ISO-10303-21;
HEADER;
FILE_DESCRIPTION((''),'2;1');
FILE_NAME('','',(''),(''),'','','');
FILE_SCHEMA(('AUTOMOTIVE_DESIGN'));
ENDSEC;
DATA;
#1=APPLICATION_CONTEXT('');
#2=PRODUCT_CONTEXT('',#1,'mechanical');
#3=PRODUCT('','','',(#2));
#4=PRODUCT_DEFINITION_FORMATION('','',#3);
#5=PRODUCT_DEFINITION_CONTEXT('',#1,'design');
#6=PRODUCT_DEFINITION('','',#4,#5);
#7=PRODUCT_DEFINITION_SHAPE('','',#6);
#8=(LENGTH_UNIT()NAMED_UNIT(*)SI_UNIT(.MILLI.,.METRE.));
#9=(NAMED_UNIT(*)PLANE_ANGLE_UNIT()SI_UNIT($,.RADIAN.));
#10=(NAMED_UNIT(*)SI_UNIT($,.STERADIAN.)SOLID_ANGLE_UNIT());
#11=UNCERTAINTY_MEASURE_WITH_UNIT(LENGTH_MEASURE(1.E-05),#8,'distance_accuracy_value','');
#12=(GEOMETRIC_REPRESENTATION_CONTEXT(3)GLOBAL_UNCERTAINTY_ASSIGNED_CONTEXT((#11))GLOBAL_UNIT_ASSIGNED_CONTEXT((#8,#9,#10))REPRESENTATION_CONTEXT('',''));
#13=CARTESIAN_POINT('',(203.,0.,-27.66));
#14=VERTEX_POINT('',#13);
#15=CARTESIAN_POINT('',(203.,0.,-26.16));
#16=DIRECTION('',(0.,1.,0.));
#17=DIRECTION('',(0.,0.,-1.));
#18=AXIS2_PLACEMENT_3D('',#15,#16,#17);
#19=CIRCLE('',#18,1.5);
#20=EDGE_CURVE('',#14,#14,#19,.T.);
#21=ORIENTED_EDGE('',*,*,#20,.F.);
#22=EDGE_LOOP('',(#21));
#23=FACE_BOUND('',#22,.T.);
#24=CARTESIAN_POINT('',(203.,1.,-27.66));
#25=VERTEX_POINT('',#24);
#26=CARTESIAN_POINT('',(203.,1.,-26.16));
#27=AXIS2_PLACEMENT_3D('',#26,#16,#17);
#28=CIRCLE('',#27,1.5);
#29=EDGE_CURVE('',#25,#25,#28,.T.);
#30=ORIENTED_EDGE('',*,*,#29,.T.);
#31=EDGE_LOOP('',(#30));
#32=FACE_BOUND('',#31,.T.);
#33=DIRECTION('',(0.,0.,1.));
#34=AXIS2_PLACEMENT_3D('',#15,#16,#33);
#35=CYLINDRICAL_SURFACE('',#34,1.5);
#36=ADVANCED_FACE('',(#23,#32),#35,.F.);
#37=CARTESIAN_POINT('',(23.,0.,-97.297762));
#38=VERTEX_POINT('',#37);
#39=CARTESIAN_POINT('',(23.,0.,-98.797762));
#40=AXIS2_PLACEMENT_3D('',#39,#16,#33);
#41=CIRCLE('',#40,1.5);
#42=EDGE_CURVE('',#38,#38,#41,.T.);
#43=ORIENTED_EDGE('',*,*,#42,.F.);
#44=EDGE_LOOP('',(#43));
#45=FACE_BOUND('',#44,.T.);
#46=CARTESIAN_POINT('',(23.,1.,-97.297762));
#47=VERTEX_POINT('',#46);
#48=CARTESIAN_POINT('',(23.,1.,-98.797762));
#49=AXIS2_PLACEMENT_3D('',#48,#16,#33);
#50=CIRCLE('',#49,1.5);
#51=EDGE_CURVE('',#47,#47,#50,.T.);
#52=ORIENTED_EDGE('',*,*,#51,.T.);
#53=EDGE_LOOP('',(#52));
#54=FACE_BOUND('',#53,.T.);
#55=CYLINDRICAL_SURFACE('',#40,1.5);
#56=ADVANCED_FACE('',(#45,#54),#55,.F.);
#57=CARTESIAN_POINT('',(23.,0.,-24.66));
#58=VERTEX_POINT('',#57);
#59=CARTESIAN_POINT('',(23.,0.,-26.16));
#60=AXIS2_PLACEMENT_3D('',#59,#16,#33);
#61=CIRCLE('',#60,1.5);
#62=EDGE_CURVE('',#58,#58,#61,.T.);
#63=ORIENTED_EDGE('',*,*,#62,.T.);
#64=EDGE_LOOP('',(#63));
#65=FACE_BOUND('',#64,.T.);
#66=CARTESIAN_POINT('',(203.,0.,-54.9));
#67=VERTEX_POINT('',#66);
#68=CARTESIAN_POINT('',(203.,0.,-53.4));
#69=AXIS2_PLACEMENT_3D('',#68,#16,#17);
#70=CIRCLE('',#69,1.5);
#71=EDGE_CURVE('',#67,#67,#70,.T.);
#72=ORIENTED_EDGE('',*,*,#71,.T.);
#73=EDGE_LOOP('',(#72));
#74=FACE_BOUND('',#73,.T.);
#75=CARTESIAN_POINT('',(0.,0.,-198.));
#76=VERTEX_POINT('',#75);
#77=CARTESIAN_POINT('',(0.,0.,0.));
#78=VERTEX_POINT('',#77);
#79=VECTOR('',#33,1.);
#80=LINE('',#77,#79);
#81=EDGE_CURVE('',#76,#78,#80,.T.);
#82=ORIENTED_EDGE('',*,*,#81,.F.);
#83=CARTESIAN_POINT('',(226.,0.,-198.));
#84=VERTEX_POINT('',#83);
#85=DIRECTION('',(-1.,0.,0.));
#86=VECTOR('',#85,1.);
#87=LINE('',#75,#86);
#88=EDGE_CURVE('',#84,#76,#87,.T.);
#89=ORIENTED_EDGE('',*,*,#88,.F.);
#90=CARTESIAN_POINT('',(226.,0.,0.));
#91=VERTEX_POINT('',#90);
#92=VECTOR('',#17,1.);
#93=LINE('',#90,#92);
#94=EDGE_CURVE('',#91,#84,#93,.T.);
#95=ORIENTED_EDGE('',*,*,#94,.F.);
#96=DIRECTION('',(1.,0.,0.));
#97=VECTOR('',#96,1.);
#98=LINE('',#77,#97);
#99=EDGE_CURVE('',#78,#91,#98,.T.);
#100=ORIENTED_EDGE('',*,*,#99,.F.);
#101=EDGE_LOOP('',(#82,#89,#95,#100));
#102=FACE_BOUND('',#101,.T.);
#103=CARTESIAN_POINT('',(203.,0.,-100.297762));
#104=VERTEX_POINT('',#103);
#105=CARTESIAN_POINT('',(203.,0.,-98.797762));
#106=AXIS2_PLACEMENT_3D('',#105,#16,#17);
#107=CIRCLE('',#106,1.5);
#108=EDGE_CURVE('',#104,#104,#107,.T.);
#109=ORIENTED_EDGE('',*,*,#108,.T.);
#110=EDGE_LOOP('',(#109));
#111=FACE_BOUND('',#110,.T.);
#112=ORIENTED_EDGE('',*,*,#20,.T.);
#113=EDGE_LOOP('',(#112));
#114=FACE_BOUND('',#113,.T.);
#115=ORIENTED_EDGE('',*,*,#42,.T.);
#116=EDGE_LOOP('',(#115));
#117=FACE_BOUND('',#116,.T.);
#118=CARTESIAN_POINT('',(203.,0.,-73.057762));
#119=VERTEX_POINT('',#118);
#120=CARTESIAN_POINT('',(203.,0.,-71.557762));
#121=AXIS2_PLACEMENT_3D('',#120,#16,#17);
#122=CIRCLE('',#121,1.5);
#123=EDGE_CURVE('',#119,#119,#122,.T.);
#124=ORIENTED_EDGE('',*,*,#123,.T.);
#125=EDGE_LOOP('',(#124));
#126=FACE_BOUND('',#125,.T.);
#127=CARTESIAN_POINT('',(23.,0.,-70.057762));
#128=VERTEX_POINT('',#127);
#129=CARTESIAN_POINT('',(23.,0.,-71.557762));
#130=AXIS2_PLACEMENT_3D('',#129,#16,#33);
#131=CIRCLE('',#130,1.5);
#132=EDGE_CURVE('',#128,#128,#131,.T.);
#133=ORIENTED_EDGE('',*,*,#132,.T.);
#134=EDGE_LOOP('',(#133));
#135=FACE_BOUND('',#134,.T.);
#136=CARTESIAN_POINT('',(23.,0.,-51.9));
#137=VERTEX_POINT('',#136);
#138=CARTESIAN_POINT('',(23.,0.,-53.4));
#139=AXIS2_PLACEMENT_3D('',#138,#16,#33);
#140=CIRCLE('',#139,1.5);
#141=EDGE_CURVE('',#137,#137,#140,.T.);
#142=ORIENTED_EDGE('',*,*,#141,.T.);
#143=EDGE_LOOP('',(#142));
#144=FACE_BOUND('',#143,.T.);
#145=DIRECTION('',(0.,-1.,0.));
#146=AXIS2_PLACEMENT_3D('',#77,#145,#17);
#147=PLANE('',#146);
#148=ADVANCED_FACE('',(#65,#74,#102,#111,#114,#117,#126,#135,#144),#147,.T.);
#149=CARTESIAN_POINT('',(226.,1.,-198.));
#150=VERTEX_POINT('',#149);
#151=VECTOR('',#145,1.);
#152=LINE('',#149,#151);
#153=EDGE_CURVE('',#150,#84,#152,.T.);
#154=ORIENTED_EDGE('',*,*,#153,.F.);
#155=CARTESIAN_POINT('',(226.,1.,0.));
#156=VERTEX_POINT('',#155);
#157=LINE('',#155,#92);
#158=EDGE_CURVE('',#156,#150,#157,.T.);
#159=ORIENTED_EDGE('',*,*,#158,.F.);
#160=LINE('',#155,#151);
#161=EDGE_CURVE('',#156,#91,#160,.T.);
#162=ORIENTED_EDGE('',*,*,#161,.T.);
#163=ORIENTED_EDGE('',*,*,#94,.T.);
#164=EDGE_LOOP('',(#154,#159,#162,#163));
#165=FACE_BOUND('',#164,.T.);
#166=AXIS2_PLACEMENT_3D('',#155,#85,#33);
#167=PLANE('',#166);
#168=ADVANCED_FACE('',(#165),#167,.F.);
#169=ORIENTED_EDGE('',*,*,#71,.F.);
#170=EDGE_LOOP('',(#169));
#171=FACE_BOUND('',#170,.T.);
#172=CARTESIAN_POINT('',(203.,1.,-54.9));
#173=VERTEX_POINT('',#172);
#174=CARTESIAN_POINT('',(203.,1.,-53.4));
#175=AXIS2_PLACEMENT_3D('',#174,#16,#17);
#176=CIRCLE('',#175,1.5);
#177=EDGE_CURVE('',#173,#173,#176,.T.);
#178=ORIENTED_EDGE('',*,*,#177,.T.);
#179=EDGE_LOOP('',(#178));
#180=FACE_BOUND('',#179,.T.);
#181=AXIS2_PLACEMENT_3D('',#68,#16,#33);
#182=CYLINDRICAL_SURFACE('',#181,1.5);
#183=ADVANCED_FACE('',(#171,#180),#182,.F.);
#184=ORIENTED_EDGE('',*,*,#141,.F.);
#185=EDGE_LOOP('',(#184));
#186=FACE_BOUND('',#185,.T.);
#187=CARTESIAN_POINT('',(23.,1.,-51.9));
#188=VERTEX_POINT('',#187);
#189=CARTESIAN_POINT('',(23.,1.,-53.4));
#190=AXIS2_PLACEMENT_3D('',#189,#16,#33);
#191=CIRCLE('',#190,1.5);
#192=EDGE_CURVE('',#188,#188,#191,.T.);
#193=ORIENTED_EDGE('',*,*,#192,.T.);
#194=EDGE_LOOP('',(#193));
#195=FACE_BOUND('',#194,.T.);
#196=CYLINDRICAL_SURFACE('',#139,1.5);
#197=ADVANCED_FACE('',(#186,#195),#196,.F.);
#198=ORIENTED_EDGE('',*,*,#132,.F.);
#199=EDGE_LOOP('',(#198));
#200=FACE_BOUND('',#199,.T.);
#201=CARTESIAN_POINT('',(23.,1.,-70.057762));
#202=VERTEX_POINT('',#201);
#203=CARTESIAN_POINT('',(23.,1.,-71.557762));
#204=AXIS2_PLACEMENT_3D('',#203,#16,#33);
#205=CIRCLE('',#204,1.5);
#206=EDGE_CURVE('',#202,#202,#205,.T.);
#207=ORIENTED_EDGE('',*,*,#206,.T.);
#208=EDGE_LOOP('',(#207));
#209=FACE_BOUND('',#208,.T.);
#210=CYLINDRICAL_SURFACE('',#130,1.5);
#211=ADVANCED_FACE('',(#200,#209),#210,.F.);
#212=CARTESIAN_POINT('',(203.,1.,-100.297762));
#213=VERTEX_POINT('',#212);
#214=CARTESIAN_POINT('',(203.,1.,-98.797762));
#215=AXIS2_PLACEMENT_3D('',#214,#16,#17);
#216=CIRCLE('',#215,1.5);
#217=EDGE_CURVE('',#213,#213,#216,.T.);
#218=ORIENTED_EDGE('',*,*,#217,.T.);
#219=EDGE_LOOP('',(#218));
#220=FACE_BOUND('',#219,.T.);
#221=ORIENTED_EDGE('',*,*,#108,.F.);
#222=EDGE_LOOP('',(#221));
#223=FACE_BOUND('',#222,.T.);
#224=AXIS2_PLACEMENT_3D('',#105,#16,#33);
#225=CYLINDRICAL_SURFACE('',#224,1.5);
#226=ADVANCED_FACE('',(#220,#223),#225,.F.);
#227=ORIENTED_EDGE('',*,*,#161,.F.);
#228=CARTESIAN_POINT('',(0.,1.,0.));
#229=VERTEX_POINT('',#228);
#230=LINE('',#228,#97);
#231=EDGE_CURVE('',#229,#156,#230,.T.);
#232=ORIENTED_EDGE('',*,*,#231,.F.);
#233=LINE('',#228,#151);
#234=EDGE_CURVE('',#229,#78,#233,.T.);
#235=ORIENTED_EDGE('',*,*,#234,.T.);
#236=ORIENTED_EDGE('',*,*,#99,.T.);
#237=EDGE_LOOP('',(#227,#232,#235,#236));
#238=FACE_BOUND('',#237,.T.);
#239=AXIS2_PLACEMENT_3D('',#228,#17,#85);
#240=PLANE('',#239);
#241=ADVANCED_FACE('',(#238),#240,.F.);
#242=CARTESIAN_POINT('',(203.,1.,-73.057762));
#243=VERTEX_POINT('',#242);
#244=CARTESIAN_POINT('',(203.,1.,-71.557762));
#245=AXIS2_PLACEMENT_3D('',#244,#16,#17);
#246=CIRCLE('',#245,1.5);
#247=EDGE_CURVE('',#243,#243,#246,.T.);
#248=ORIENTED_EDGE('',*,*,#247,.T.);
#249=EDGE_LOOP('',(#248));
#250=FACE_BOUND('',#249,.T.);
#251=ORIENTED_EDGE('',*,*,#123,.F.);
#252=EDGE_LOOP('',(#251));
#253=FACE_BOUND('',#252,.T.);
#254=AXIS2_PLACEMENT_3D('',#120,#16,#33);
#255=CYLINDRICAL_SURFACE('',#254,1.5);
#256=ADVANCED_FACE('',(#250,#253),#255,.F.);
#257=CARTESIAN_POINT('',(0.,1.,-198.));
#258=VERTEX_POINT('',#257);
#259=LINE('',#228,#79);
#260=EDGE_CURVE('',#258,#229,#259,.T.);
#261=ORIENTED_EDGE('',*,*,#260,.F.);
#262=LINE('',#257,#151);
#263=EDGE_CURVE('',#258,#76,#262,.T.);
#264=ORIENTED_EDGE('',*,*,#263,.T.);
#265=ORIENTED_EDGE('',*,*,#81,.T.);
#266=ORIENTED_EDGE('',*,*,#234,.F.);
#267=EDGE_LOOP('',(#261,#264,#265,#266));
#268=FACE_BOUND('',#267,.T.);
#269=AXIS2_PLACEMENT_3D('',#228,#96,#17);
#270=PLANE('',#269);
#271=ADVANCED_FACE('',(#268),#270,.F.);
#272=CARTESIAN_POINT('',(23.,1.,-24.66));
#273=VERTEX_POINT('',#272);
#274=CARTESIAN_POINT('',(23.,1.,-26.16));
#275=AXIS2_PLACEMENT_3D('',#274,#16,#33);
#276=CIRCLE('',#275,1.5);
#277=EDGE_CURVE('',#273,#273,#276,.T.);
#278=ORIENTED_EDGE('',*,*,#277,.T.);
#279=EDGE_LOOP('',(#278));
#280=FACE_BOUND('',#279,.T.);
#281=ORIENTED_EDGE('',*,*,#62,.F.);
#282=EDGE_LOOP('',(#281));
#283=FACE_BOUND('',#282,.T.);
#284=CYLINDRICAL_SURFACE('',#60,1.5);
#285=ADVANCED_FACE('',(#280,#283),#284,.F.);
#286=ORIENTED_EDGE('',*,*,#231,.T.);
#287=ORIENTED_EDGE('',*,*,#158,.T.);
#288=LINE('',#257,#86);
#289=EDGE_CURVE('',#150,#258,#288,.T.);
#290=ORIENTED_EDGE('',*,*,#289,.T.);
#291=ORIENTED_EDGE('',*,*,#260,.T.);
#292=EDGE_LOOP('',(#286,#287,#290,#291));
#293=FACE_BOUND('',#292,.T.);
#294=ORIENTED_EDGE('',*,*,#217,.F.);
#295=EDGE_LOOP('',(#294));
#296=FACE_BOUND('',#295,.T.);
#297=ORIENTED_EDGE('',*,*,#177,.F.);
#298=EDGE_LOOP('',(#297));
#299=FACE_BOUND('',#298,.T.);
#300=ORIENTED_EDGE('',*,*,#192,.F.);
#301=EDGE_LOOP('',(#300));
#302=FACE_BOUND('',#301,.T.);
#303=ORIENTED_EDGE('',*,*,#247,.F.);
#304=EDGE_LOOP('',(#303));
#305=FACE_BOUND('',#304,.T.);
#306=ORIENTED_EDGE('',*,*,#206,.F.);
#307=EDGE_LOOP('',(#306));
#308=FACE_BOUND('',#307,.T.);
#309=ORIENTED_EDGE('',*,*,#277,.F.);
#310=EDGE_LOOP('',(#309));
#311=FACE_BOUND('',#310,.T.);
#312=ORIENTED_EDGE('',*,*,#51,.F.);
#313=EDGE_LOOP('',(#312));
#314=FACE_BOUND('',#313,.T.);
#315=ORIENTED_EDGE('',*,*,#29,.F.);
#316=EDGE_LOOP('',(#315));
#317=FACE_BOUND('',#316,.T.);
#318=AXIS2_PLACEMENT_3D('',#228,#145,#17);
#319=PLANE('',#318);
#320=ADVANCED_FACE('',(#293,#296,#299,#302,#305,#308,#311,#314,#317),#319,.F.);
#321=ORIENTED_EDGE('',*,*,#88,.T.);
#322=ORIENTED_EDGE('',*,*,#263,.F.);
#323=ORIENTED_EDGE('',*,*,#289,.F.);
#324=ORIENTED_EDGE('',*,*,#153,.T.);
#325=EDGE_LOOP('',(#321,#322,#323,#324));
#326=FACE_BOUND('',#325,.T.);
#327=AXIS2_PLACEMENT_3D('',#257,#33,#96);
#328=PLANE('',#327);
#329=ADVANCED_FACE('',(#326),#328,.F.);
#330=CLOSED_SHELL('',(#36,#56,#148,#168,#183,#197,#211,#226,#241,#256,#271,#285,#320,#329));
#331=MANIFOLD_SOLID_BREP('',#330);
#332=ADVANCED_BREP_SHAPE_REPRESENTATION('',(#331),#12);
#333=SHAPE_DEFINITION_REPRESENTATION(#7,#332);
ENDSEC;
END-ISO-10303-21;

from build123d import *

# Parameters (mm, degrees)
SKETCH1_W           = 226
SKETCH1_H           = 198
BOSS_EXTRUDE1_DEPTH = 1
SKETCH2_R           = 1.5
CUT_EXTRUDE1_DEPTH  = 1


with BuildPart() as part:
    # Sketch1 → Boss-Extrude1 (new body)
    with BuildSketch(Plane(origin=(0, 0, 0), x_dir=(1, 0, 0), z_dir=(0, 1, 0))):
        with Locations((113, 99)):
            Rectangle(SKETCH1_W, SKETCH1_H)
    extrude(amount=BOSS_EXTRUDE1_DEPTH)

    # Sketch2 → Cut-Extrude1 (cut)
    with BuildSketch(Plane(origin=(0, 1, 0), x_dir=(1, 0, 0), z_dir=(0, 1, 0))):
        with Locations(Location((203, 26.16, 0), (0, 0, 90))):
            Circle(SKETCH2_R)
        with Locations(Location((203, 53.4, 0), (0, 0, 90))):
            Circle(SKETCH2_R)
        with Locations(Location((203, 71.557761971, 0), (0, 0, 90))):
            Circle(SKETCH2_R)
        with Locations(Location((203, 98.797761995, 0), (0, 0, 90))):
            Circle(SKETCH2_R)
        with Locations(Location((23, 26.16, 0), (0, 0, 270))):
            Circle(SKETCH2_R)
        with Locations(Location((23, 53.4, 0), (0, 0, 270))):
            Circle(SKETCH2_R)
        with Locations(Location((23, 71.557761971, 0), (0, 0, 270))):
            Circle(SKETCH2_R)
        with Locations(Location((23, 98.797761995, 0), (0, 0, 270))):
            Circle(SKETCH2_R)
    extrude(amount=-CUT_EXTRUDE1_DEPTH, mode=Mode.SUBTRACT)


solid = part.part
